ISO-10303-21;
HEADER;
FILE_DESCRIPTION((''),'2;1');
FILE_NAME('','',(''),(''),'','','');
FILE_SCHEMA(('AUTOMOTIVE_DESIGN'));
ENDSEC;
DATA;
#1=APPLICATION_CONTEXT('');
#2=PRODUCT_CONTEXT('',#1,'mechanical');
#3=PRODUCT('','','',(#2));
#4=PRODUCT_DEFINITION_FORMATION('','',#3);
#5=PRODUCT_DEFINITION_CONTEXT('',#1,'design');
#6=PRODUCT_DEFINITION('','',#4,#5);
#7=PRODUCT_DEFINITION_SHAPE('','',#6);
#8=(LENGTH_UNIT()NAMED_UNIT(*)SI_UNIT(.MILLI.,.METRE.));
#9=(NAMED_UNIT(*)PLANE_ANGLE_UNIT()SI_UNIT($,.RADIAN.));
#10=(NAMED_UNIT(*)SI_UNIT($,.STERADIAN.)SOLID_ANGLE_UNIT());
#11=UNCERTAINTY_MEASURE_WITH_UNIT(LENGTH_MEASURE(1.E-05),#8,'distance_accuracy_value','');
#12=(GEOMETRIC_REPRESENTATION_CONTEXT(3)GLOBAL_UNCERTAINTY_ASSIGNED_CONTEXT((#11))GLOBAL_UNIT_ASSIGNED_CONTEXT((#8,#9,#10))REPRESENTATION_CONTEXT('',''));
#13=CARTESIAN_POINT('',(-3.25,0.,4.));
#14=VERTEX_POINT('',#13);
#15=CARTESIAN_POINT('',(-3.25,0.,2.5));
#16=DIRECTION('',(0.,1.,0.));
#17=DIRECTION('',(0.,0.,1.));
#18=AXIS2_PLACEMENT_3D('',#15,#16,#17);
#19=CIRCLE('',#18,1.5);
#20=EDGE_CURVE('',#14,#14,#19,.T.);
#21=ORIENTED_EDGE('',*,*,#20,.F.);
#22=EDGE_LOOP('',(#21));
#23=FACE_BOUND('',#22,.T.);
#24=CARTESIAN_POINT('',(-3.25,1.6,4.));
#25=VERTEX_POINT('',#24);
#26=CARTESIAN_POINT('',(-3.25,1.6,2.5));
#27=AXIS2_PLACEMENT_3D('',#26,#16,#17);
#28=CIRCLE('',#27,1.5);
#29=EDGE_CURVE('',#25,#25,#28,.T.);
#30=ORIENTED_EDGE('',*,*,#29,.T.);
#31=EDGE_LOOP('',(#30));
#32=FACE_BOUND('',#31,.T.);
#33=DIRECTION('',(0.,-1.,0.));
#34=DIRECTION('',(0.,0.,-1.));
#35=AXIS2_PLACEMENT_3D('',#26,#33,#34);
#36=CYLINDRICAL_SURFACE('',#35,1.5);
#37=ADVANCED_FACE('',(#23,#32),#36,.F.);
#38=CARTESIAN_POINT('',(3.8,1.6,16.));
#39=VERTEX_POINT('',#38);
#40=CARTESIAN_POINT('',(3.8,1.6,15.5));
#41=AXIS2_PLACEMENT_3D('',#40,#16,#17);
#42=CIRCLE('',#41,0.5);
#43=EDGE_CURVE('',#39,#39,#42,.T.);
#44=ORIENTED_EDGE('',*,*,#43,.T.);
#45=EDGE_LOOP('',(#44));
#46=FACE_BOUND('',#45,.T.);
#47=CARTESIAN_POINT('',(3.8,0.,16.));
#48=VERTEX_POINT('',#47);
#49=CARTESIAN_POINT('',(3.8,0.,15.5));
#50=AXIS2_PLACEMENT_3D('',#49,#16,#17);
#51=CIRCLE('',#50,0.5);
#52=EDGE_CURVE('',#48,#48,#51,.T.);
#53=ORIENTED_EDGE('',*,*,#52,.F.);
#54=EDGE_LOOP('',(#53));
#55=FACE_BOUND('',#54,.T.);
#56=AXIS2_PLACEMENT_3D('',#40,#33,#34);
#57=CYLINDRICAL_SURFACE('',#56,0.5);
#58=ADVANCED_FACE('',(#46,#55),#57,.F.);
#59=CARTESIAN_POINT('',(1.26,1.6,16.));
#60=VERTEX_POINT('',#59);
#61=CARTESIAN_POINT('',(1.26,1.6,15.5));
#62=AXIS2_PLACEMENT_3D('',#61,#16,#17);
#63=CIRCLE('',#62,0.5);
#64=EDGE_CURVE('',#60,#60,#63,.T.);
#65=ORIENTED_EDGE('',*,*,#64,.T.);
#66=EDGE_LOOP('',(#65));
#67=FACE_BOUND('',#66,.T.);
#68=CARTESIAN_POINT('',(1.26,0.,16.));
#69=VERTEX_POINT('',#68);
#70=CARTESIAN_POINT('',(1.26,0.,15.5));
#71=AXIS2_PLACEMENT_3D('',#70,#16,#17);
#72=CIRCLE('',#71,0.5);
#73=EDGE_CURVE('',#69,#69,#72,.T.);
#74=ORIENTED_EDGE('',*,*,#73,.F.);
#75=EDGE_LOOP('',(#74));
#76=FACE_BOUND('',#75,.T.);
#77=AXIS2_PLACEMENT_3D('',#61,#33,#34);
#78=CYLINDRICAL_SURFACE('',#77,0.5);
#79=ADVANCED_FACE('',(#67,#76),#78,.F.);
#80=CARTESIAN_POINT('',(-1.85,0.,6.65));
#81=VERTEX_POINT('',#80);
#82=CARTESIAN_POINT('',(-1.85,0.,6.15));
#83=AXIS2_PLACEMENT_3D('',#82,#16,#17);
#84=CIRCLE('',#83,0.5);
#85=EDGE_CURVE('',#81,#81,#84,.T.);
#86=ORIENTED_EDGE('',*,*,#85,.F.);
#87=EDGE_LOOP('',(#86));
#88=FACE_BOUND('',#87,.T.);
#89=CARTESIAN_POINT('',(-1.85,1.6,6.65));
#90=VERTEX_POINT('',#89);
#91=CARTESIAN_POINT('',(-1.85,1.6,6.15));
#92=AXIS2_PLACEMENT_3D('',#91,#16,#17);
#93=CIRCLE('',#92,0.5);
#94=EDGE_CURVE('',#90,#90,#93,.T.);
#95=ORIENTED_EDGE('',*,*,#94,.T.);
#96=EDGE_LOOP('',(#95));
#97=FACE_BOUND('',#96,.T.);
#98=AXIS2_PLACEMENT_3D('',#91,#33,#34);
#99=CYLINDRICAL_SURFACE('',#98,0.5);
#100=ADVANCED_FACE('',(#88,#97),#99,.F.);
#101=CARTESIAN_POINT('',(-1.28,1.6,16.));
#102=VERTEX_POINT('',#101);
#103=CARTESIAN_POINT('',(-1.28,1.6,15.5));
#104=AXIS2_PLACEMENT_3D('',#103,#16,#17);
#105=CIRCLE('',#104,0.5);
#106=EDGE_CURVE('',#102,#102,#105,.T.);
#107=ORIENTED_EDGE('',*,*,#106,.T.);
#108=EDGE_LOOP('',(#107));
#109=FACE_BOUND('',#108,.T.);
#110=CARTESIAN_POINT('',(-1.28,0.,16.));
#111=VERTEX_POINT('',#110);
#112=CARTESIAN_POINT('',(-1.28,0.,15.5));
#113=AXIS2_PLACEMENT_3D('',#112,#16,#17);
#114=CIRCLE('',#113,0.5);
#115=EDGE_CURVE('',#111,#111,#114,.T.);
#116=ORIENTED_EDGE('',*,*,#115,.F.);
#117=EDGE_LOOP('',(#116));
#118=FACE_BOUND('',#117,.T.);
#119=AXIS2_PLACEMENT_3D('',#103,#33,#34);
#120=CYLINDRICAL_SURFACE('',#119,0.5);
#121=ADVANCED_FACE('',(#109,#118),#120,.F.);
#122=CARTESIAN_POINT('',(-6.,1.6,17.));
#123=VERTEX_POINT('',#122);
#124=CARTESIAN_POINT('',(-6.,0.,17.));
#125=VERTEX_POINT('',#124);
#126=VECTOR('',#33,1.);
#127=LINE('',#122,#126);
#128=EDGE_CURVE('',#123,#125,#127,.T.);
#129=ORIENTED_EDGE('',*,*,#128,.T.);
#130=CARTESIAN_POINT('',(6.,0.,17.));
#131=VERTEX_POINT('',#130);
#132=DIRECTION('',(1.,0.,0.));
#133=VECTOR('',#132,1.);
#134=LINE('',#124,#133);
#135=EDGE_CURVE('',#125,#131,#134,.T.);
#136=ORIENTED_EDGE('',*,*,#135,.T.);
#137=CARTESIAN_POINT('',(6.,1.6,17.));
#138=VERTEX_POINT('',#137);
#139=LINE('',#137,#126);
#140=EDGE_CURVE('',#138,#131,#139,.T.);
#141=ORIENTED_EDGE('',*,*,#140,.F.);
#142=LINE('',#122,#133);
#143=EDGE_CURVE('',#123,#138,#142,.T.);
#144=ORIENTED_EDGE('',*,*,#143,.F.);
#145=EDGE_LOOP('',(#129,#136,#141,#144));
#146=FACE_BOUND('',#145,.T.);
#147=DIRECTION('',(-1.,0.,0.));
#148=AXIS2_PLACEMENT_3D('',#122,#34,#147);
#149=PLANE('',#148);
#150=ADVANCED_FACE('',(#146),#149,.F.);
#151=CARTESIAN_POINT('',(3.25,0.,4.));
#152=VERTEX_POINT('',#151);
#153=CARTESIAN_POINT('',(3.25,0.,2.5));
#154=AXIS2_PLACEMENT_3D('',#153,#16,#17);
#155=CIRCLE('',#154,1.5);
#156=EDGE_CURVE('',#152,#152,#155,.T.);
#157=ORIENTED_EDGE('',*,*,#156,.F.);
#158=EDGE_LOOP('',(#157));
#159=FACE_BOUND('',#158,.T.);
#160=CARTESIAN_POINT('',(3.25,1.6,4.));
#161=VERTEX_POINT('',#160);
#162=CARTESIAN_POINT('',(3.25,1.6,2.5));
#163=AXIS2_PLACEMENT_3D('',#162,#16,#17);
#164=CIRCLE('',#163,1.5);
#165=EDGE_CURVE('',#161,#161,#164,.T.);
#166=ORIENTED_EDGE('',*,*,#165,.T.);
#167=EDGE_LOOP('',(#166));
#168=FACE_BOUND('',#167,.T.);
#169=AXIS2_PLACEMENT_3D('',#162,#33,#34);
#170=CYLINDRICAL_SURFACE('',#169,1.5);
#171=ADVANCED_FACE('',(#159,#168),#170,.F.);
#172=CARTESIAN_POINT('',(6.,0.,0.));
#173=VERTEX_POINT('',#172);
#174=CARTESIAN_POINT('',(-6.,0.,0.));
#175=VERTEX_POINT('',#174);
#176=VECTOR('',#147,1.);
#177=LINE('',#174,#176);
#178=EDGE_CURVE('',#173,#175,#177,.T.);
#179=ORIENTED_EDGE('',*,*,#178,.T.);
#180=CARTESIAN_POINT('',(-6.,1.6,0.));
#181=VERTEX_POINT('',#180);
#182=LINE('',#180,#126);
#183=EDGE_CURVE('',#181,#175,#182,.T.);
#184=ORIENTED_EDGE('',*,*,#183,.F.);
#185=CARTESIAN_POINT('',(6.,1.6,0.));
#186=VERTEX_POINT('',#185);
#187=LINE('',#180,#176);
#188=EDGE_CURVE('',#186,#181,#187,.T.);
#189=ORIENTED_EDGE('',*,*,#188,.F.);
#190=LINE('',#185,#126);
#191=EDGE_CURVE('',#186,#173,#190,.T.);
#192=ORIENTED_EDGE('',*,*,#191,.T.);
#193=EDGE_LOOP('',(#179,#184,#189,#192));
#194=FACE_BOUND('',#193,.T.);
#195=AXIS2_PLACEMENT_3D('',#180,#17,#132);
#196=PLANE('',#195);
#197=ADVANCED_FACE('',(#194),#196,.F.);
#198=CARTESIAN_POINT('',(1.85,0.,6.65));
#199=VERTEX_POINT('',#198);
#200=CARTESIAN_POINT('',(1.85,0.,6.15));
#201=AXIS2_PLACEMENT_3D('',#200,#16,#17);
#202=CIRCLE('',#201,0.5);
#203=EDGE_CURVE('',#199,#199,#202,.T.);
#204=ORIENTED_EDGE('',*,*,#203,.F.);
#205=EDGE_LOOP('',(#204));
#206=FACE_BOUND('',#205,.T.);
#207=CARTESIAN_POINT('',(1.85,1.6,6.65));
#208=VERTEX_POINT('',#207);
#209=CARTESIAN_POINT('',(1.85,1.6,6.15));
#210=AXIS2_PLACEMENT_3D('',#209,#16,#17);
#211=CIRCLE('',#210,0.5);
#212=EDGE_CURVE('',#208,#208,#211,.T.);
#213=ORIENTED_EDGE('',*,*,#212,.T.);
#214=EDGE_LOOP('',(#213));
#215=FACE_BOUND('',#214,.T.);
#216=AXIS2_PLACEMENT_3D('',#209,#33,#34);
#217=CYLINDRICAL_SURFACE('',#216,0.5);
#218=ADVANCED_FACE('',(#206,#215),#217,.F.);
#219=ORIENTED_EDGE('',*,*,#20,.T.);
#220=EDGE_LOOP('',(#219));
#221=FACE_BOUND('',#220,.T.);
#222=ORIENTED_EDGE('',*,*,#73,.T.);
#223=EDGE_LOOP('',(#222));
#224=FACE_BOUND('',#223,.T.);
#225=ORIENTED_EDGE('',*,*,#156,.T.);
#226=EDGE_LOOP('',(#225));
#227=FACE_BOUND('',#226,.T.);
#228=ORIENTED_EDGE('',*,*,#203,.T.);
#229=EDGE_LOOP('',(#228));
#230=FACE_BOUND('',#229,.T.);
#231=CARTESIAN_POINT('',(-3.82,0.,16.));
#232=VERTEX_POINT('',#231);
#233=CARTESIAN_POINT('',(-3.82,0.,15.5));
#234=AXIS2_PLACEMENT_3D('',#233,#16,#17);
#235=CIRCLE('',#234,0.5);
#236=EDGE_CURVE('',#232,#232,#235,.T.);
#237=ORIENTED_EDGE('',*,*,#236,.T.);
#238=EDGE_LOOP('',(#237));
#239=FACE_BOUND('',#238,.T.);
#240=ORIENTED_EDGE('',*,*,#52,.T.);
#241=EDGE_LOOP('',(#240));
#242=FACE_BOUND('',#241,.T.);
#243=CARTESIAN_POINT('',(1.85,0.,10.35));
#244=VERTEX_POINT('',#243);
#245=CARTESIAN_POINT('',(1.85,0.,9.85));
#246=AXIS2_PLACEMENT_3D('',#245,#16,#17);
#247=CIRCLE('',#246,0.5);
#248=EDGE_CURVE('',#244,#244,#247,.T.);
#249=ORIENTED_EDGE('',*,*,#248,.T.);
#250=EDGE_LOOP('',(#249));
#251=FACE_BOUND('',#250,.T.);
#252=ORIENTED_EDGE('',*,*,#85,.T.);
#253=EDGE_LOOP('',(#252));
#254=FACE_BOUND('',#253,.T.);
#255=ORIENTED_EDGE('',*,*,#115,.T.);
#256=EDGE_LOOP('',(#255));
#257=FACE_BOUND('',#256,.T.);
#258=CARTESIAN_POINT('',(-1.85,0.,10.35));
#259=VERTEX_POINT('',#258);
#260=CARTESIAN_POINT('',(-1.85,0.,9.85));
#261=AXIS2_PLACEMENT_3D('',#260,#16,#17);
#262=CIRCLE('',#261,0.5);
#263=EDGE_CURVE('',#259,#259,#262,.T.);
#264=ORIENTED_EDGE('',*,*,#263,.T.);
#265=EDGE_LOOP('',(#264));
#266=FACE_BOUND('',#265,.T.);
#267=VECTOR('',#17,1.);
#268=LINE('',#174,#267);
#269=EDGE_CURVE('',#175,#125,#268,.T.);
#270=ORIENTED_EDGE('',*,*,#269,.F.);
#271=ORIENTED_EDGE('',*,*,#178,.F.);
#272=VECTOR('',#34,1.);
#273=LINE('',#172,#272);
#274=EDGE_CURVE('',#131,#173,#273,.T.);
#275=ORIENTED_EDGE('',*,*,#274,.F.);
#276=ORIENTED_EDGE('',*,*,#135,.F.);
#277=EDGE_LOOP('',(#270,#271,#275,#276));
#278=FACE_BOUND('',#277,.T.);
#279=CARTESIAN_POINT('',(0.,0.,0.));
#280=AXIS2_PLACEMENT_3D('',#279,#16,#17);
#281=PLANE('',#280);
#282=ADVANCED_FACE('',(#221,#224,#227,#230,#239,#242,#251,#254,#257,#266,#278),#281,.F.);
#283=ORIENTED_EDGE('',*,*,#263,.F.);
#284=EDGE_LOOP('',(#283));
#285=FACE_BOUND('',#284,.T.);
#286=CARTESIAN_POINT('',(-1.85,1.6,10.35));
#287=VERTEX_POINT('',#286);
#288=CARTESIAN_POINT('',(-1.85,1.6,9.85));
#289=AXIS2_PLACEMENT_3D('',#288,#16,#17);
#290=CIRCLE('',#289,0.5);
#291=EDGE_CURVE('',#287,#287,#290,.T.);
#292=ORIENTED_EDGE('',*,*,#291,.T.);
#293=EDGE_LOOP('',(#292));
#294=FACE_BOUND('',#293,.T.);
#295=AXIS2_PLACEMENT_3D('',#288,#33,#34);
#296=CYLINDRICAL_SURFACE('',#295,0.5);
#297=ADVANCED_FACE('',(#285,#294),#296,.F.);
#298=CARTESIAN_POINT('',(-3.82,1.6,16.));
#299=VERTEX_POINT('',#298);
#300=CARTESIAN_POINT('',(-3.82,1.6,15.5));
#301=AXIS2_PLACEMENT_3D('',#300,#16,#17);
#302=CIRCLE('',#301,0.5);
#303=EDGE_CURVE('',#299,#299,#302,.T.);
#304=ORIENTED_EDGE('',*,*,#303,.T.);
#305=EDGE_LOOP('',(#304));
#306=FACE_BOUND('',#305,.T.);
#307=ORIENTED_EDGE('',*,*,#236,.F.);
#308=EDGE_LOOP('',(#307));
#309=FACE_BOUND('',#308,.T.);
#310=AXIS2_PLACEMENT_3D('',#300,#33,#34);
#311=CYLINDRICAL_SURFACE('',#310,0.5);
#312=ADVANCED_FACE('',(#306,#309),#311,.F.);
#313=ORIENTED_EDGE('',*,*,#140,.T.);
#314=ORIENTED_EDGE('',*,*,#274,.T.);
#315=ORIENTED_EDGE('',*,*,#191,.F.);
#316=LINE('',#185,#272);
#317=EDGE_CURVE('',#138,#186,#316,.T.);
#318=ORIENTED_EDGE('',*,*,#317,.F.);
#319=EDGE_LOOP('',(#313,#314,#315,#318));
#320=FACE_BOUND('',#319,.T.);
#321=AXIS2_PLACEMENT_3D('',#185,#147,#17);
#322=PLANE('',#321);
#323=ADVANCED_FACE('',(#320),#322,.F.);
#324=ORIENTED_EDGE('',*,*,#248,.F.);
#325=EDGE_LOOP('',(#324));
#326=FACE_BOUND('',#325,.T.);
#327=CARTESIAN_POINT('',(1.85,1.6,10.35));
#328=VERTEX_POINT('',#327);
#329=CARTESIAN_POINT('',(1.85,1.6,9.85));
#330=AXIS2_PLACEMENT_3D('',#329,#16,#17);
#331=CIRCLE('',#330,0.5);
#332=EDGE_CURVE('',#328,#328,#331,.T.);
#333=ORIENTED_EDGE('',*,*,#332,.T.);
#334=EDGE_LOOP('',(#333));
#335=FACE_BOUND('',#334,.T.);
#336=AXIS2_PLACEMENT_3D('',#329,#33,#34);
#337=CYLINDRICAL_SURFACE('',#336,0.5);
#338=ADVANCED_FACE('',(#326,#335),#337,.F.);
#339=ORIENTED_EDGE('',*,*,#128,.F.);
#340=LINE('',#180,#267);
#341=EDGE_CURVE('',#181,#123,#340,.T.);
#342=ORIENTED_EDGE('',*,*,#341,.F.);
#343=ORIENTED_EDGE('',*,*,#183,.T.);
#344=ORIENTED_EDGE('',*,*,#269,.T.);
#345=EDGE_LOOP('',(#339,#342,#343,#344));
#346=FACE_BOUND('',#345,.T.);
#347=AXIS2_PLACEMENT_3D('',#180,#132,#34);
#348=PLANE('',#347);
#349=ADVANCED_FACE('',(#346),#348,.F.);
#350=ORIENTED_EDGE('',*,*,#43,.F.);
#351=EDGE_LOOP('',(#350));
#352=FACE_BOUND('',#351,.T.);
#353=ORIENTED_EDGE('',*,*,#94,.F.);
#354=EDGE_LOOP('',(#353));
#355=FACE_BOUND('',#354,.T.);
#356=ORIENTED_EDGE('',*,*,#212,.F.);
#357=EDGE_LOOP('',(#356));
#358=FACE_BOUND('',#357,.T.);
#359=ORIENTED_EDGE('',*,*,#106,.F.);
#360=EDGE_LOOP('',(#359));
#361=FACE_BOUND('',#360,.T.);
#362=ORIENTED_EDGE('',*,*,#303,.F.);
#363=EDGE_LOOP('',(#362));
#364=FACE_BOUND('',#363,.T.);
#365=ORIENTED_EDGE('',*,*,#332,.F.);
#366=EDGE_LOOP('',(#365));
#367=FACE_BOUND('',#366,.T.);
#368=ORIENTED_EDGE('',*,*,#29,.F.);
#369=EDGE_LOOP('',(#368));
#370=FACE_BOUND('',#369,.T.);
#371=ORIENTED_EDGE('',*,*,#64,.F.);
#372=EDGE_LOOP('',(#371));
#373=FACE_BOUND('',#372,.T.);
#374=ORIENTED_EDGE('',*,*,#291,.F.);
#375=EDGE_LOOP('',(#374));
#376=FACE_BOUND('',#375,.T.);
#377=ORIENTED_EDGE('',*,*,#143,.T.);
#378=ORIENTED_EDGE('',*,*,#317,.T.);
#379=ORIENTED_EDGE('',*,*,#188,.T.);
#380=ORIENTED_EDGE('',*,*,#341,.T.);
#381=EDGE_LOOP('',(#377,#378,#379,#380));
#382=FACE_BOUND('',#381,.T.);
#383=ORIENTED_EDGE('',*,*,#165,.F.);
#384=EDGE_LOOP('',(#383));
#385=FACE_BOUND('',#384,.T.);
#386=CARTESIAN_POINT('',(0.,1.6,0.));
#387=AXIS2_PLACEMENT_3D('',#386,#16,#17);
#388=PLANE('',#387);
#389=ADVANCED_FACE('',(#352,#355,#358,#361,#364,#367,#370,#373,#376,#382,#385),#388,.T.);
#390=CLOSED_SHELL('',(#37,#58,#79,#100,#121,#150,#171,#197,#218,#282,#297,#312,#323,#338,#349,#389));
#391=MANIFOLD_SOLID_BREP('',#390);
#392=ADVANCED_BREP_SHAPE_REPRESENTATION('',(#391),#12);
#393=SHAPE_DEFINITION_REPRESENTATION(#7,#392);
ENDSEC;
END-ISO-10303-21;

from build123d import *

# Parameters (mm, degrees)
SKETCH_2_W      = 12
SKETCH_2_H      = 17
SKETCH_2_R      = 1.5
SKETCH_2_R_2    = 0.5
EXTRUDE_1_DEPTH = 1.6


with BuildPart() as part:
    # Эскиз2 → Бобышка-Вытянуть1 (new body)
    with BuildSketch(Plane(origin=(0, 0, 0), x_dir=(1, 0, 0), z_dir=(0, 1, 0))):
        with Locations((0, -8.5)):
            Rectangle(SKETCH_2_W, SKETCH_2_H)
        with Locations(Location((-3.25, -2.5, 0), (0, 0, 270))):
            Circle(SKETCH_2_R, mode=Mode.SUBTRACT)
        with Locations(Location((3.25, -2.5, 0), (0, 0, 270))):
            Circle(SKETCH_2_R, mode=Mode.SUBTRACT)
        with Locations(Location((-3.82, -15.5, 0), (0, 0, 270))):
            Circle(SKETCH_2_R_2, mode=Mode.SUBTRACT)
        with Locations(Location((-1.28, -15.5, 0), (0, 0, 270))):
            Circle(SKETCH_2_R_2, mode=Mode.SUBTRACT)
        with Locations(Location((1.26, -15.5, 0), (0, 0, 270))):
            Circle(SKETCH_2_R_2, mode=Mode.SUBTRACT)
        with Locations(Location((3.8, -15.5, 0), (0, 0, 270))):
            Circle(SKETCH_2_R_2, mode=Mode.SUBTRACT)
        with Locations(Location((-1.85, -6.15, 0), (0, 0, 270))):
            Circle(SKETCH_2_R_2, mode=Mode.SUBTRACT)
        with Locations(Location((-1.85, -9.85, 0), (0, 0, 270))):
            Circle(SKETCH_2_R_2, mode=Mode.SUBTRACT)
        with Locations(Location((1.85, -9.85, 0), (0, 0, 270))):
            Circle(SKETCH_2_R_2, mode=Mode.SUBTRACT)
        with Locations(Location((1.85, -6.15, 0), (0, 0, 270))):
            Circle(SKETCH_2_R_2, mode=Mode.SUBTRACT)
    extrude(amount=EXTRUDE_1_DEPTH)


solid = part.part
